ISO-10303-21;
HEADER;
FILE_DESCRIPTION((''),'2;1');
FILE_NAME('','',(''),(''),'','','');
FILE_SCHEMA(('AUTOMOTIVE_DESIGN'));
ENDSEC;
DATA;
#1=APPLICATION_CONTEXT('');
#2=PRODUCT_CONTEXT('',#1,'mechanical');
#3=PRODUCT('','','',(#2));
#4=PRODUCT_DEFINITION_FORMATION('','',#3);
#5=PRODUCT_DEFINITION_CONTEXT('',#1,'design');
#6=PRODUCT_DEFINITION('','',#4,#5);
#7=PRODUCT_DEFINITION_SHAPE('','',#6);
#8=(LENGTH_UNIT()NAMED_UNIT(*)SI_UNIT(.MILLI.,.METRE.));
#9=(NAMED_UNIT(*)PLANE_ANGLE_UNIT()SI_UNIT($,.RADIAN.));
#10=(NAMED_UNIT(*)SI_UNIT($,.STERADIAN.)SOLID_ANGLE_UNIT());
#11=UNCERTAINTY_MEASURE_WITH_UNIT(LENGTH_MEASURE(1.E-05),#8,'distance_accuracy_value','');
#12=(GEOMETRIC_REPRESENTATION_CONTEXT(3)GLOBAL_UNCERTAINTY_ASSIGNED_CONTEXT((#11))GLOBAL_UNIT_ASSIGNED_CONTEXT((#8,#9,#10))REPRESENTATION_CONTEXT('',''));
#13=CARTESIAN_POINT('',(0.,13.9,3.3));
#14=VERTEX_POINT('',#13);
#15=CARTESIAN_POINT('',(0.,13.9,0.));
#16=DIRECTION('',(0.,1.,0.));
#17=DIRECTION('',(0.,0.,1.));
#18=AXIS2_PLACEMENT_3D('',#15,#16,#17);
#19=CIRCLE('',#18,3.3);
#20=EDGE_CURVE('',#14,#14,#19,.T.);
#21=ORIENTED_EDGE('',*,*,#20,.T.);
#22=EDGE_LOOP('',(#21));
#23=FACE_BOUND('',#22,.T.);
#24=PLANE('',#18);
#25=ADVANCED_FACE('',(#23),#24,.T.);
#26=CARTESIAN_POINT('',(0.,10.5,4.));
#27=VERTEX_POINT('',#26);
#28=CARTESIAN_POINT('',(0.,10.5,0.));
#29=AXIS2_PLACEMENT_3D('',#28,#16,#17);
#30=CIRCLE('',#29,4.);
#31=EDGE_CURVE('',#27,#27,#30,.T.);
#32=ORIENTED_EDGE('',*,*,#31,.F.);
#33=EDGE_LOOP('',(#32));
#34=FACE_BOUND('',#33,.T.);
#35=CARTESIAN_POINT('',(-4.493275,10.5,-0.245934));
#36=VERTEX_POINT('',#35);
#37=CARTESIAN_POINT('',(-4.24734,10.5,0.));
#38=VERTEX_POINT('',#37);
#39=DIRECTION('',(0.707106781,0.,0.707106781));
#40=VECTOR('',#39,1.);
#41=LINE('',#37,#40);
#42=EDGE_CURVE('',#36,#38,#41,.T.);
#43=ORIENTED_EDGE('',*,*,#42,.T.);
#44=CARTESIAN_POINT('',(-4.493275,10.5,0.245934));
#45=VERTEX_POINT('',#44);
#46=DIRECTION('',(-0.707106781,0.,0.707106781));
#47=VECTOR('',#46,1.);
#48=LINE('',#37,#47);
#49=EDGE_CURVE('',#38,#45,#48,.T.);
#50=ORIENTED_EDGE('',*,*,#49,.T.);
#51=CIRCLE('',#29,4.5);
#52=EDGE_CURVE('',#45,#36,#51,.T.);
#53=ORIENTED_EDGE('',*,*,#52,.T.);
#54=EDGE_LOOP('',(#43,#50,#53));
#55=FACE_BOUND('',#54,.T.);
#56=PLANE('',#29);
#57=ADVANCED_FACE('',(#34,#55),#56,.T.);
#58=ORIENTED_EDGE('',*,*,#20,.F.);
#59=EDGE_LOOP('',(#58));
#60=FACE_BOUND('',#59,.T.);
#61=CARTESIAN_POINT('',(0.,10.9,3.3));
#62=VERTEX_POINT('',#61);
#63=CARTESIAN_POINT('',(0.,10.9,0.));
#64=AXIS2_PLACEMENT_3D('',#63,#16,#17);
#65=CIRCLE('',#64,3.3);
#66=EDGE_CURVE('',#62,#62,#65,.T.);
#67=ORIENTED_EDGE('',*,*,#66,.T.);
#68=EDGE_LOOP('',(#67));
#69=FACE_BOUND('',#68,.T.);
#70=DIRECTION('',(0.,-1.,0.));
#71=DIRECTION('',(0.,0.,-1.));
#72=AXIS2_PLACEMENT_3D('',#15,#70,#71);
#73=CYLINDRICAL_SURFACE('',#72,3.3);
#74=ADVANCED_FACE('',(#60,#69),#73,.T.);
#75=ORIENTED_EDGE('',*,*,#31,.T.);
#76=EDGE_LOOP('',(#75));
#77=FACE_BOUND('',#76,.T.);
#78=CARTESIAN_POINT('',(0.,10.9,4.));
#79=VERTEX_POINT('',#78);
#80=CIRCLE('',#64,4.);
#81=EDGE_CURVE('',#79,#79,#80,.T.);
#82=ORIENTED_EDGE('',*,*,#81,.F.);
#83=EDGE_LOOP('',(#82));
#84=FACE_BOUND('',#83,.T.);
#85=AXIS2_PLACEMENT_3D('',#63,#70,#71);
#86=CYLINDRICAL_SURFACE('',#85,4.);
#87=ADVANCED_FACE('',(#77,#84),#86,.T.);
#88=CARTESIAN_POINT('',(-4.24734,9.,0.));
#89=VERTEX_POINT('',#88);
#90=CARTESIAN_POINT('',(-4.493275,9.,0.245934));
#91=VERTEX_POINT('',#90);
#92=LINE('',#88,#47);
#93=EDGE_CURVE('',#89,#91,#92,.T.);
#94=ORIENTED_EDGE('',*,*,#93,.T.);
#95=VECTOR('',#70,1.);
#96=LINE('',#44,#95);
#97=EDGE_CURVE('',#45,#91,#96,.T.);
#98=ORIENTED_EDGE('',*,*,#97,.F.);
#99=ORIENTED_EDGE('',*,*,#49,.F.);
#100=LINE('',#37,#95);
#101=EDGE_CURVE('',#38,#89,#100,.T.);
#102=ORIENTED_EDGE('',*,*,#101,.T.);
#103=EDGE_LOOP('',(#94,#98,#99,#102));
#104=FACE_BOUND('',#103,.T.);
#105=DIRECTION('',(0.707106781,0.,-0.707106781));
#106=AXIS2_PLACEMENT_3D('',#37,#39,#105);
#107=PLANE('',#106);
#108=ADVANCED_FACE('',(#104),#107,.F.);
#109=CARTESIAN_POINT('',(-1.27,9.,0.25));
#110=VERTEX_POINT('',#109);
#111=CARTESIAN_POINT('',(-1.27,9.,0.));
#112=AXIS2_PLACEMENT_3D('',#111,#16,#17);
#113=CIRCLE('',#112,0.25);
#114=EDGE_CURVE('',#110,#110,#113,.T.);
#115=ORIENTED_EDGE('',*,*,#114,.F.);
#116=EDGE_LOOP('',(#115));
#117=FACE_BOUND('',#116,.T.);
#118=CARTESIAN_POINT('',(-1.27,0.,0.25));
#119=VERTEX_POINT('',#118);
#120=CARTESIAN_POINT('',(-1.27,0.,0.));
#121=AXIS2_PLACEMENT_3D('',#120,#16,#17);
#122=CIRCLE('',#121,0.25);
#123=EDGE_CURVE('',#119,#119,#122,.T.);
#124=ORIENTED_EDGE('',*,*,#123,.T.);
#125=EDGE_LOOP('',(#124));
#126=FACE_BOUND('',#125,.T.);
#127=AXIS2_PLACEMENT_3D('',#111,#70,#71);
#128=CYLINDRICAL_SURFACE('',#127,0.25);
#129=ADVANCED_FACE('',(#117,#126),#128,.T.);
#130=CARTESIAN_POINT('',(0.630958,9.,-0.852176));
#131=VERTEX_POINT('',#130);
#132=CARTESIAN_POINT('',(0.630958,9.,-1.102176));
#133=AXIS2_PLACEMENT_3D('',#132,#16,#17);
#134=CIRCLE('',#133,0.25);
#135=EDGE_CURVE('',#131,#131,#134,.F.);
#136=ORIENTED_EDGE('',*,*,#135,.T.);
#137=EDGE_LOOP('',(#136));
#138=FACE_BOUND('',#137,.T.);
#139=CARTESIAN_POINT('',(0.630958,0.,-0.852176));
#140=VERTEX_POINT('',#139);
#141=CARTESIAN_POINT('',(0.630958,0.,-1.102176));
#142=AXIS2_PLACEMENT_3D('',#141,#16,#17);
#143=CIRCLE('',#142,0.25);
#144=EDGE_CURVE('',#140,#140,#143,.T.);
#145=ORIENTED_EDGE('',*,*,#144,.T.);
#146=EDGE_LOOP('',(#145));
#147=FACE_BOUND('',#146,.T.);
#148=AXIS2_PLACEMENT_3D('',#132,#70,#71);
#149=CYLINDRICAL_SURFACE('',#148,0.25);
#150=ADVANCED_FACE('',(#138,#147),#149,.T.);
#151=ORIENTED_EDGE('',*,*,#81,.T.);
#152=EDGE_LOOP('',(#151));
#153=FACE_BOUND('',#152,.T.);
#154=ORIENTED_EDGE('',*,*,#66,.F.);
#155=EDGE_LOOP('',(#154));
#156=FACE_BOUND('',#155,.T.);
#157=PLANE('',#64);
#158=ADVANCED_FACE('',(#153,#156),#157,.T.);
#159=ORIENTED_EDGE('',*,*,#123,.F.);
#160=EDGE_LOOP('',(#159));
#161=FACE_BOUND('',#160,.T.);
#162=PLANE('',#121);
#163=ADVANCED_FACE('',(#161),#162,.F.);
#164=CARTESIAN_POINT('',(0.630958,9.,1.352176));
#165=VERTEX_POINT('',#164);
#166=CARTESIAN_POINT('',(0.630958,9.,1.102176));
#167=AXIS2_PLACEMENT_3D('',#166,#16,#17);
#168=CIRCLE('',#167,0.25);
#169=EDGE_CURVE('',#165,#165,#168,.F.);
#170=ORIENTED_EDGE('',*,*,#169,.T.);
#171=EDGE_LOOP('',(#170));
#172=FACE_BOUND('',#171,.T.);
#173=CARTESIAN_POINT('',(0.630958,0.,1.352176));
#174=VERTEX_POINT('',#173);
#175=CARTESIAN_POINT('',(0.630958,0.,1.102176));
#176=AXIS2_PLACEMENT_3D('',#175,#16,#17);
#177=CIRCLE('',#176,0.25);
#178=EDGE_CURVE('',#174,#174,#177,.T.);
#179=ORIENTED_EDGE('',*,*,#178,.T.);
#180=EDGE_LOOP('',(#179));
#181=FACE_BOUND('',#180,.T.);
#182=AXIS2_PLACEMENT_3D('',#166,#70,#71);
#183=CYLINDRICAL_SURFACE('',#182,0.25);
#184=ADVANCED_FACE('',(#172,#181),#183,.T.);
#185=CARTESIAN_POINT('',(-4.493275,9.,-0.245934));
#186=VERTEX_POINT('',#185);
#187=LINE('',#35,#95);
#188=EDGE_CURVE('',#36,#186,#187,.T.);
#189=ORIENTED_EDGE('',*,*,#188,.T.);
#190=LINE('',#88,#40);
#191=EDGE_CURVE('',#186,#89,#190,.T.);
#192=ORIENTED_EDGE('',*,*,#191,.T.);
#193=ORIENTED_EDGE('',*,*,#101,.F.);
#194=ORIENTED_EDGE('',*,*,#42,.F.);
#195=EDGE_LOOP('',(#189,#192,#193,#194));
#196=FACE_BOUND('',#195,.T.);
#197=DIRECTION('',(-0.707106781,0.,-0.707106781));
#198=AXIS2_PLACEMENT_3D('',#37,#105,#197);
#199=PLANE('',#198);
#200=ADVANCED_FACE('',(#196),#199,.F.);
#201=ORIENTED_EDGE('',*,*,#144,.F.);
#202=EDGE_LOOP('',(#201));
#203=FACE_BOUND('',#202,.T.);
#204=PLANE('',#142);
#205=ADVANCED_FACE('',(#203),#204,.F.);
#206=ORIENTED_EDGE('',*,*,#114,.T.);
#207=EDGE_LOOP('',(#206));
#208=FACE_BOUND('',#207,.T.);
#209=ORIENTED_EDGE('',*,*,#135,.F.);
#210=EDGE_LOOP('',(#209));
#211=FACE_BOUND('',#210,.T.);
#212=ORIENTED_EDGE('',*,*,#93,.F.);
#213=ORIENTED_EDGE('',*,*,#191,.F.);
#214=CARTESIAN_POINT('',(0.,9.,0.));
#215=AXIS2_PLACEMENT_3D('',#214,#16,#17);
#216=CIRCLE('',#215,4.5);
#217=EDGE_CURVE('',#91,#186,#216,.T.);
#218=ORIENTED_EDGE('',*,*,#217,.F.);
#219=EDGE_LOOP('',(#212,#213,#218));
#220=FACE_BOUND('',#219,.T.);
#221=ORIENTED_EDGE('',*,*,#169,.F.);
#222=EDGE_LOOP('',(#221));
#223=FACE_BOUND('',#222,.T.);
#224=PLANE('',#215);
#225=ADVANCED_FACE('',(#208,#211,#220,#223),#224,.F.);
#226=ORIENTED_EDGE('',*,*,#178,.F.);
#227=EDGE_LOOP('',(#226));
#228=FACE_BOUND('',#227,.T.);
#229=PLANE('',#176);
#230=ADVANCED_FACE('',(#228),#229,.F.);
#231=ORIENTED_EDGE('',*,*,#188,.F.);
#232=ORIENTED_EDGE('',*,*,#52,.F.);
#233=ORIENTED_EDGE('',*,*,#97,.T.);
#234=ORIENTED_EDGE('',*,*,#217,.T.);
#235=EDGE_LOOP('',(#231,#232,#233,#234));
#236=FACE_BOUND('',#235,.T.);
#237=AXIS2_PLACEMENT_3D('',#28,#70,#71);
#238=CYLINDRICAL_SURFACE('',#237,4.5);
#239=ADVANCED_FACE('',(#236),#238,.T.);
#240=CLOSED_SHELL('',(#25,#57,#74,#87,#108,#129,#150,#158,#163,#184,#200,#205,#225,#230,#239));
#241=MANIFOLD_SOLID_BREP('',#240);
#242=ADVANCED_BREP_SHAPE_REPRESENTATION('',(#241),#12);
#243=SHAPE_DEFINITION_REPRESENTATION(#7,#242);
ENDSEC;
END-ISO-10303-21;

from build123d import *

# Parameters (mm, degrees)
SKETCH_2_R        = 0.25
EXTRUDE_1_DEPTH   = 9
EXTRUDE_1_2_DEPTH = 9
EXTRUDE_1_3_DEPTH = 9
EXTRUDE_2_DEPTH   = 1.5
SKETCH_4_R        = 4
EXTRUDE_3_DEPTH   = 0.4
SKETCH_5_R        = 3.3
EXTRUDE_4_DEPTH   = 3


with BuildPart() as part:
    # Эскиз2 → Бобышка-Вытянуть1 (new body)
    with BuildSketch(Plane(origin=(0, 0, 0), x_dir=(1, 0, 0), z_dir=(0, 1, 0))):
        with Locations(Location((-1.27, 0, 0), (0, 0, 270))):
            Circle(SKETCH_2_R)
    extrude(amount=EXTRUDE_1_DEPTH)



with BuildPart() as body_2:
    # Эскиз2 → Extrude 1 2 (new body)
    with BuildSketch(Plane(origin=(0, 0, 0), x_dir=(1, 0, 0), z_dir=(0, 1, 0))):
        with Locations(Location((0.630957819, 1.102176134, 0), (0, 0, 270))):
            Circle(SKETCH_2_R)
    extrude(amount=EXTRUDE_1_2_DEPTH)


with BuildPart() as body_3:
    # Эскиз2 → Extrude 1 3 (new body)
    with BuildSketch(Plane(origin=(0, 0, 0), x_dir=(1, 0, 0), z_dir=(0, 1, 0))):
        with Locations(Location((0.630957819, -1.102176134, 0), (0, 0, 270))):
            Circle(SKETCH_2_R)
    extrude(amount=EXTRUDE_1_3_DEPTH)


with BuildPart() as part_1:
    add(part.part)

    add(body_2.part)  # Бобышка-Вытянуть2 merges body 2

    add(body_3.part)  # Бобышка-Вытянуть2 merges body 3
    # Эскиз3 → Бобышка-Вытянуть2 (add)
    with BuildSketch(Plane(origin=(0, 9, 0), x_dir=(1, 0, 0), z_dir=(0, 1, 0))):
        with BuildLine():
            Line((-4.247340401, 0), (-4.493274572, 0.245934171))
            ThreePointArc((-4.493274572, 0.245934171), (4.5, 0), (-4.493274572, -0.245934171))
            Line((-4.493274572, -0.245934171), (-4.247340401, 0))
        make_face()
    extrude(amount=EXTRUDE_2_DEPTH)

    # Эскиз4 → Бобышка-Вытянуть3 (add)
    with BuildSketch(Plane(origin=(0, 10.5, 0), x_dir=(1, 0, 0), z_dir=(0, 1, 0))):
        with Locations(Location((0, 0, 0), (0, 0, 270))):
            Circle(SKETCH_4_R)
    extrude(amount=EXTRUDE_3_DEPTH)

    # Эскиз5 → Бобышка-Вытянуть4 (add)
    with BuildSketch(Plane(origin=(0, 10.9, 0), x_dir=(1, 0, 0), z_dir=(0, 1, 0))):
        with Locations(Location((0, 0, 0), (0, 0, 270))):
            Circle(SKETCH_5_R)
    extrude(amount=EXTRUDE_4_DEPTH)


solid = part_1.part
